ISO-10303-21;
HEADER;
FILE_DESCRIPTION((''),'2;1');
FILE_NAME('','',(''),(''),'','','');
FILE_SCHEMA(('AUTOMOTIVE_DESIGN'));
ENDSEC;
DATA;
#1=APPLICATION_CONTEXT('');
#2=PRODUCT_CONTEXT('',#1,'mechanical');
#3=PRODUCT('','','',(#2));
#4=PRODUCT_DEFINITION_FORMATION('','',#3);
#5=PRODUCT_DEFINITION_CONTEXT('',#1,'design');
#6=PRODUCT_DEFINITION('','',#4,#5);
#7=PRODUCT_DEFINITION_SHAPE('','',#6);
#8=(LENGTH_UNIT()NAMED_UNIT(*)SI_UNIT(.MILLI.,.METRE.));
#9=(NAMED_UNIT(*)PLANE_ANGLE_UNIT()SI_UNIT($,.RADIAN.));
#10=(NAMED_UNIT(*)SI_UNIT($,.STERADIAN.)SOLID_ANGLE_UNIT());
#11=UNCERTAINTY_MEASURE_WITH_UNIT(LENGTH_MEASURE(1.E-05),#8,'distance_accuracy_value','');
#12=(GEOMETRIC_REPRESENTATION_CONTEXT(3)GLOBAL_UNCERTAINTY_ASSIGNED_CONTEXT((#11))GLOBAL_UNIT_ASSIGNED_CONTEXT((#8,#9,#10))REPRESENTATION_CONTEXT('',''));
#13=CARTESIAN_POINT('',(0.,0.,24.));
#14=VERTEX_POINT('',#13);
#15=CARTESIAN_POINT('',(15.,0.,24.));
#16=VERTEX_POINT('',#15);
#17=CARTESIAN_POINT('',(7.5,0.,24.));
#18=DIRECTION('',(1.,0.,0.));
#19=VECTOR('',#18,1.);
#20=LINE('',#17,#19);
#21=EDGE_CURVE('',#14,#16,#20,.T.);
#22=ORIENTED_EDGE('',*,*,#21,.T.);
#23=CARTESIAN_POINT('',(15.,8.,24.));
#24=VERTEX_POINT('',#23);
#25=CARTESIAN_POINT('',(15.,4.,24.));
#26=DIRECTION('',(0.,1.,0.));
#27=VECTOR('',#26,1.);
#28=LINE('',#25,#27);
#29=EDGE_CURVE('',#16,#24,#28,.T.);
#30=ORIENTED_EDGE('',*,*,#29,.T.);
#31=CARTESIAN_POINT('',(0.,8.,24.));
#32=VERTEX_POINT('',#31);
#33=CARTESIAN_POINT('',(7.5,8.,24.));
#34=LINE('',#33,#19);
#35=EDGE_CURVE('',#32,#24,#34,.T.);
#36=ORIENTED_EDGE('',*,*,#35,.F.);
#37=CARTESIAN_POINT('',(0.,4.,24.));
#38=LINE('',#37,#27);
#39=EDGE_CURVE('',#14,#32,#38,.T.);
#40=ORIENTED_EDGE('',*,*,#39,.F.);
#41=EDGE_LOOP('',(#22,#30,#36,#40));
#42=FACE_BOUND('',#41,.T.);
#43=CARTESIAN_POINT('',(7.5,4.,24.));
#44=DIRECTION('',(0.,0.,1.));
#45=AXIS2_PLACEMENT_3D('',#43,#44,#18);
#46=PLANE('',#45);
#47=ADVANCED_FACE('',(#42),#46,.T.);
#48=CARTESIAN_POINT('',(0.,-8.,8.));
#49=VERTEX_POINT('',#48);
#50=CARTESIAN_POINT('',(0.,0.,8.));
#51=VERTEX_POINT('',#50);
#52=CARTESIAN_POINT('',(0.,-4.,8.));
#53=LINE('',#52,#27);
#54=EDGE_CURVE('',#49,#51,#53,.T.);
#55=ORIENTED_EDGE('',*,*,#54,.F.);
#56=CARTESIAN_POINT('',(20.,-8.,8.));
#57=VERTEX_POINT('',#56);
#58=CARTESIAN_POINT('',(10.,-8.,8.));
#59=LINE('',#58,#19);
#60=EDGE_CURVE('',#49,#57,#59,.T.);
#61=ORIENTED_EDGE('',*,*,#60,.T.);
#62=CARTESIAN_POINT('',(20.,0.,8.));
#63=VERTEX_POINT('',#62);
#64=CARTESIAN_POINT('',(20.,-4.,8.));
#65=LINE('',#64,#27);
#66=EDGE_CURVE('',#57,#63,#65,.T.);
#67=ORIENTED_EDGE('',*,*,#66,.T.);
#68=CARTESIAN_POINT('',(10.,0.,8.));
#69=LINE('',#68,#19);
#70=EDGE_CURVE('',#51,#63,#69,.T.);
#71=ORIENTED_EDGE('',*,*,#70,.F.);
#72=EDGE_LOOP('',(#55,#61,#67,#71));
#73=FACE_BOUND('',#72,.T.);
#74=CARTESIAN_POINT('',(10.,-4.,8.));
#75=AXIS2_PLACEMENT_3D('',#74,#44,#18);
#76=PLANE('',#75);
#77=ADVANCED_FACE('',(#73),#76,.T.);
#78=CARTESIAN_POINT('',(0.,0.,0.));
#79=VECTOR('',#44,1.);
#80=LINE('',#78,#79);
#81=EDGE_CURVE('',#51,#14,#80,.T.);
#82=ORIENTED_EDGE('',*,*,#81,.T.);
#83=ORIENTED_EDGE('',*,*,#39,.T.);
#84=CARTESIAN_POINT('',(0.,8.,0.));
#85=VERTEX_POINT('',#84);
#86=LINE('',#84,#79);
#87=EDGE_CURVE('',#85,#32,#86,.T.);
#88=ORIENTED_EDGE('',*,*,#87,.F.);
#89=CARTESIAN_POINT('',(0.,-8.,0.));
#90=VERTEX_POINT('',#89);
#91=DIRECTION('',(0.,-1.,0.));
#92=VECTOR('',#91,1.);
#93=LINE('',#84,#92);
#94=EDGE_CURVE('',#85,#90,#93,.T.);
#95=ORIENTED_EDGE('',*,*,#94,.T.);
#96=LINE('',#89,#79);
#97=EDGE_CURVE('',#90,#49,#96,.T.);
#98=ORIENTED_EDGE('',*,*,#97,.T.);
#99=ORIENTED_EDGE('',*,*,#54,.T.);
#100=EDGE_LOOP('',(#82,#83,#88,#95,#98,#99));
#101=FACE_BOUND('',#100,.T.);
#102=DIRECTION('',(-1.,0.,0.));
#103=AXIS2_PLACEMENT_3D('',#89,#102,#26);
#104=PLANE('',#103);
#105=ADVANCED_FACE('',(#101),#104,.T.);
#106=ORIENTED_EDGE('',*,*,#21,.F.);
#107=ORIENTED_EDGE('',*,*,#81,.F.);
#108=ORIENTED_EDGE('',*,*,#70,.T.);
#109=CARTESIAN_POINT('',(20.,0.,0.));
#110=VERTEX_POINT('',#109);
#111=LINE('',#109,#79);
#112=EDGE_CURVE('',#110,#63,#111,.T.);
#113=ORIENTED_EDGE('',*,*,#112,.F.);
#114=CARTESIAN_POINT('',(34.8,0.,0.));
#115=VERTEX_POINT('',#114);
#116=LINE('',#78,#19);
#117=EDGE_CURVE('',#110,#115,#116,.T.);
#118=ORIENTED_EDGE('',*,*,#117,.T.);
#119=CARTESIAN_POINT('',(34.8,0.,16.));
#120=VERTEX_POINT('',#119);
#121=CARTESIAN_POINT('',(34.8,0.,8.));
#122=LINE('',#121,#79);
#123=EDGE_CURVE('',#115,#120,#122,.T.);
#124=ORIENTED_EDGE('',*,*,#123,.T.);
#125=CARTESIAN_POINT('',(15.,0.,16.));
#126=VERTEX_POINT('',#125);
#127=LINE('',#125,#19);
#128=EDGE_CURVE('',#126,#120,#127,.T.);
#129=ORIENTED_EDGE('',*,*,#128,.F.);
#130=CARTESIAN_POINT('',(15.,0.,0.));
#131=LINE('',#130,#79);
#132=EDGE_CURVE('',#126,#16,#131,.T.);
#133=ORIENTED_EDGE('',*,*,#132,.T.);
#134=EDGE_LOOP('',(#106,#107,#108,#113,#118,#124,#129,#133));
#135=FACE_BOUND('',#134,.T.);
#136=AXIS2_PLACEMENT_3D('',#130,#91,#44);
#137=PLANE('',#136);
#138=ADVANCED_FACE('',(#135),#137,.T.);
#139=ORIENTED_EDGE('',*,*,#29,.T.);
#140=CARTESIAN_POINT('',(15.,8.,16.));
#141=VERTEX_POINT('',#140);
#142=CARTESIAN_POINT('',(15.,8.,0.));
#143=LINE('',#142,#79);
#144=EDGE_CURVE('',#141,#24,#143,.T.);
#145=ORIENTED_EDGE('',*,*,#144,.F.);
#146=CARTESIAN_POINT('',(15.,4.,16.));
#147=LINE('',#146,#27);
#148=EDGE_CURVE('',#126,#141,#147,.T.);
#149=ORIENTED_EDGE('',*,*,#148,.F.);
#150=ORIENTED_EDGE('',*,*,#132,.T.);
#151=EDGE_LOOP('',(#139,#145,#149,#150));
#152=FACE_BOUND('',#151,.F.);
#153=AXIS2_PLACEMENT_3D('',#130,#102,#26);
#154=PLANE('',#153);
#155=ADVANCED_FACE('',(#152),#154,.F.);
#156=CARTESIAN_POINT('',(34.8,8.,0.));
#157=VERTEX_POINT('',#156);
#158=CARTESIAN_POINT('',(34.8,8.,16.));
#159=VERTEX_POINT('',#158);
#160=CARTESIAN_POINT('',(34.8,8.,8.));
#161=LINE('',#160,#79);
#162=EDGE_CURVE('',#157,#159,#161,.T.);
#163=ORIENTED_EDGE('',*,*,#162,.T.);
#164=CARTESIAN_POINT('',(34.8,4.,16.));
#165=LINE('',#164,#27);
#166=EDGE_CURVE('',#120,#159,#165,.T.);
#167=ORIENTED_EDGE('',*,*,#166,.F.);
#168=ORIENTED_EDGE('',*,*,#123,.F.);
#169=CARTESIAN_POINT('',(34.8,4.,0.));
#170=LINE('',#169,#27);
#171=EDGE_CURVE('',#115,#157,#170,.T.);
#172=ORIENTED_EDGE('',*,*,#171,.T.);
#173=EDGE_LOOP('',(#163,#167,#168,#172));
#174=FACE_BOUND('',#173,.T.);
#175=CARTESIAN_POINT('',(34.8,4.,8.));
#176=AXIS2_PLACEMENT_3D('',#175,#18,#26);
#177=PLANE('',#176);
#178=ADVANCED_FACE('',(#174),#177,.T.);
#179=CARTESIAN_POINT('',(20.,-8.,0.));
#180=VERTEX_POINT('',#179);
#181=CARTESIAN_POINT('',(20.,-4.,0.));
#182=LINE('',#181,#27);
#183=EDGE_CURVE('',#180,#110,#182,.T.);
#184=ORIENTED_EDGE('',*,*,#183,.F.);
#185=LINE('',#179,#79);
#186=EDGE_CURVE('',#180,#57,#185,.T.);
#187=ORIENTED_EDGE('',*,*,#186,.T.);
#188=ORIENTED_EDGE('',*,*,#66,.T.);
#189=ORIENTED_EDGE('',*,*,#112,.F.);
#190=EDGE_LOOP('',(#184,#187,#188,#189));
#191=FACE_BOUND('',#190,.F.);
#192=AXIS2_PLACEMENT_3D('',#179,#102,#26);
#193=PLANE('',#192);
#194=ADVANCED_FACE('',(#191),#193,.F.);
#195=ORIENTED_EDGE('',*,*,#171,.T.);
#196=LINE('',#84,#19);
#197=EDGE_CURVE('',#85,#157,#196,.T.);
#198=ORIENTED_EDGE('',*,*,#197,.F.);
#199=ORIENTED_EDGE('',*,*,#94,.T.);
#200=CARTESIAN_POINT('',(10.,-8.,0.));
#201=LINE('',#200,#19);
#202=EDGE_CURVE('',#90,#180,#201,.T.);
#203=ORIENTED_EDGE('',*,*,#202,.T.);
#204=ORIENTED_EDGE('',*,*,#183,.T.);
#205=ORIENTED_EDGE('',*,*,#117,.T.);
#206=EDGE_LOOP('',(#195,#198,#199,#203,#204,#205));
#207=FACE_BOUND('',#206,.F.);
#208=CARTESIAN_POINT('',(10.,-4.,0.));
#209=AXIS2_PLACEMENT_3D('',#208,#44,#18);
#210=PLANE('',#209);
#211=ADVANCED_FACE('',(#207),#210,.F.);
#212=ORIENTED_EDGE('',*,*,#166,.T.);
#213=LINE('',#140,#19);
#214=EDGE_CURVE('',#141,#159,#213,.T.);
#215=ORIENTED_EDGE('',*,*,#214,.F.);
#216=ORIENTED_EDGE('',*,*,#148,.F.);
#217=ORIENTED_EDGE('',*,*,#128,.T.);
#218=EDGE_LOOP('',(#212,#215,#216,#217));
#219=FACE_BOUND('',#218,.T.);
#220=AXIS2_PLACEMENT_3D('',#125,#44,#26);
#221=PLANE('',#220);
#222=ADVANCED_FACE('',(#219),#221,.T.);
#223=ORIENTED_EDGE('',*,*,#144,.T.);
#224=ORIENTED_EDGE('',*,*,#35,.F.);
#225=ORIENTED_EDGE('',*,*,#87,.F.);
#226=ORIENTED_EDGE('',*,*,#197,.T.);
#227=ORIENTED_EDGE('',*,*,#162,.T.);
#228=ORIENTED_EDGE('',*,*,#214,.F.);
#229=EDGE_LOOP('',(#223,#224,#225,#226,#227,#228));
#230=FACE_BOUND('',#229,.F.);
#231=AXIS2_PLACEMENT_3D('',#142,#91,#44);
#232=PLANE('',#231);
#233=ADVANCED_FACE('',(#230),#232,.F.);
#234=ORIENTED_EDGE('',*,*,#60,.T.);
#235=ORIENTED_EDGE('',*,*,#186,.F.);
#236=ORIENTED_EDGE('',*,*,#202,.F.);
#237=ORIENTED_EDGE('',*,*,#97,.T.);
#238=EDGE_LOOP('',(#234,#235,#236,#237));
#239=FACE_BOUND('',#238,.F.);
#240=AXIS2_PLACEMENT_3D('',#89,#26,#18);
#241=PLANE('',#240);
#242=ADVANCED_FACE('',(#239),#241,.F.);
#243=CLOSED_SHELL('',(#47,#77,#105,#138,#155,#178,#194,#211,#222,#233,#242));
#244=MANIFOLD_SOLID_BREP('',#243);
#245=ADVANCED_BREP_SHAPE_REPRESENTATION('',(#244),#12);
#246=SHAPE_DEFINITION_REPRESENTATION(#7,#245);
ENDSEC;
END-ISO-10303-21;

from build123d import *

# Parameters (mm, degrees)
F0_W     = 15
F0_H     = 8
F1_DEPTH = 24
F2_W     = 8
F2_H     = 16
F3_DEPTH = 19.8
F4_W     = 20
F4_H     = 8
F5_DEPTH = 8


with BuildPart() as f1:
    # F0 (on Top) → F1 (new body)
    with BuildSketch(Plane.XY):
        with Locations((7.5, 4)):
            Rectangle(F0_W, F0_H)
    extrude(amount=F1_DEPTH)

    # F2 (on face) → F3 (join)
    with BuildSketch(Plane.YZ.offset(15)):
        with Locations((4, 8)):
            Rectangle(F2_W, F2_H)
    extrude(amount=F3_DEPTH)

    # F4 (on Top) → F5 (join)
    with BuildSketch(Plane.XY):
        with Locations((10, -4)):
            Rectangle(F4_W, F4_H)
    extrude(amount=F5_DEPTH)


solid = f1.part
